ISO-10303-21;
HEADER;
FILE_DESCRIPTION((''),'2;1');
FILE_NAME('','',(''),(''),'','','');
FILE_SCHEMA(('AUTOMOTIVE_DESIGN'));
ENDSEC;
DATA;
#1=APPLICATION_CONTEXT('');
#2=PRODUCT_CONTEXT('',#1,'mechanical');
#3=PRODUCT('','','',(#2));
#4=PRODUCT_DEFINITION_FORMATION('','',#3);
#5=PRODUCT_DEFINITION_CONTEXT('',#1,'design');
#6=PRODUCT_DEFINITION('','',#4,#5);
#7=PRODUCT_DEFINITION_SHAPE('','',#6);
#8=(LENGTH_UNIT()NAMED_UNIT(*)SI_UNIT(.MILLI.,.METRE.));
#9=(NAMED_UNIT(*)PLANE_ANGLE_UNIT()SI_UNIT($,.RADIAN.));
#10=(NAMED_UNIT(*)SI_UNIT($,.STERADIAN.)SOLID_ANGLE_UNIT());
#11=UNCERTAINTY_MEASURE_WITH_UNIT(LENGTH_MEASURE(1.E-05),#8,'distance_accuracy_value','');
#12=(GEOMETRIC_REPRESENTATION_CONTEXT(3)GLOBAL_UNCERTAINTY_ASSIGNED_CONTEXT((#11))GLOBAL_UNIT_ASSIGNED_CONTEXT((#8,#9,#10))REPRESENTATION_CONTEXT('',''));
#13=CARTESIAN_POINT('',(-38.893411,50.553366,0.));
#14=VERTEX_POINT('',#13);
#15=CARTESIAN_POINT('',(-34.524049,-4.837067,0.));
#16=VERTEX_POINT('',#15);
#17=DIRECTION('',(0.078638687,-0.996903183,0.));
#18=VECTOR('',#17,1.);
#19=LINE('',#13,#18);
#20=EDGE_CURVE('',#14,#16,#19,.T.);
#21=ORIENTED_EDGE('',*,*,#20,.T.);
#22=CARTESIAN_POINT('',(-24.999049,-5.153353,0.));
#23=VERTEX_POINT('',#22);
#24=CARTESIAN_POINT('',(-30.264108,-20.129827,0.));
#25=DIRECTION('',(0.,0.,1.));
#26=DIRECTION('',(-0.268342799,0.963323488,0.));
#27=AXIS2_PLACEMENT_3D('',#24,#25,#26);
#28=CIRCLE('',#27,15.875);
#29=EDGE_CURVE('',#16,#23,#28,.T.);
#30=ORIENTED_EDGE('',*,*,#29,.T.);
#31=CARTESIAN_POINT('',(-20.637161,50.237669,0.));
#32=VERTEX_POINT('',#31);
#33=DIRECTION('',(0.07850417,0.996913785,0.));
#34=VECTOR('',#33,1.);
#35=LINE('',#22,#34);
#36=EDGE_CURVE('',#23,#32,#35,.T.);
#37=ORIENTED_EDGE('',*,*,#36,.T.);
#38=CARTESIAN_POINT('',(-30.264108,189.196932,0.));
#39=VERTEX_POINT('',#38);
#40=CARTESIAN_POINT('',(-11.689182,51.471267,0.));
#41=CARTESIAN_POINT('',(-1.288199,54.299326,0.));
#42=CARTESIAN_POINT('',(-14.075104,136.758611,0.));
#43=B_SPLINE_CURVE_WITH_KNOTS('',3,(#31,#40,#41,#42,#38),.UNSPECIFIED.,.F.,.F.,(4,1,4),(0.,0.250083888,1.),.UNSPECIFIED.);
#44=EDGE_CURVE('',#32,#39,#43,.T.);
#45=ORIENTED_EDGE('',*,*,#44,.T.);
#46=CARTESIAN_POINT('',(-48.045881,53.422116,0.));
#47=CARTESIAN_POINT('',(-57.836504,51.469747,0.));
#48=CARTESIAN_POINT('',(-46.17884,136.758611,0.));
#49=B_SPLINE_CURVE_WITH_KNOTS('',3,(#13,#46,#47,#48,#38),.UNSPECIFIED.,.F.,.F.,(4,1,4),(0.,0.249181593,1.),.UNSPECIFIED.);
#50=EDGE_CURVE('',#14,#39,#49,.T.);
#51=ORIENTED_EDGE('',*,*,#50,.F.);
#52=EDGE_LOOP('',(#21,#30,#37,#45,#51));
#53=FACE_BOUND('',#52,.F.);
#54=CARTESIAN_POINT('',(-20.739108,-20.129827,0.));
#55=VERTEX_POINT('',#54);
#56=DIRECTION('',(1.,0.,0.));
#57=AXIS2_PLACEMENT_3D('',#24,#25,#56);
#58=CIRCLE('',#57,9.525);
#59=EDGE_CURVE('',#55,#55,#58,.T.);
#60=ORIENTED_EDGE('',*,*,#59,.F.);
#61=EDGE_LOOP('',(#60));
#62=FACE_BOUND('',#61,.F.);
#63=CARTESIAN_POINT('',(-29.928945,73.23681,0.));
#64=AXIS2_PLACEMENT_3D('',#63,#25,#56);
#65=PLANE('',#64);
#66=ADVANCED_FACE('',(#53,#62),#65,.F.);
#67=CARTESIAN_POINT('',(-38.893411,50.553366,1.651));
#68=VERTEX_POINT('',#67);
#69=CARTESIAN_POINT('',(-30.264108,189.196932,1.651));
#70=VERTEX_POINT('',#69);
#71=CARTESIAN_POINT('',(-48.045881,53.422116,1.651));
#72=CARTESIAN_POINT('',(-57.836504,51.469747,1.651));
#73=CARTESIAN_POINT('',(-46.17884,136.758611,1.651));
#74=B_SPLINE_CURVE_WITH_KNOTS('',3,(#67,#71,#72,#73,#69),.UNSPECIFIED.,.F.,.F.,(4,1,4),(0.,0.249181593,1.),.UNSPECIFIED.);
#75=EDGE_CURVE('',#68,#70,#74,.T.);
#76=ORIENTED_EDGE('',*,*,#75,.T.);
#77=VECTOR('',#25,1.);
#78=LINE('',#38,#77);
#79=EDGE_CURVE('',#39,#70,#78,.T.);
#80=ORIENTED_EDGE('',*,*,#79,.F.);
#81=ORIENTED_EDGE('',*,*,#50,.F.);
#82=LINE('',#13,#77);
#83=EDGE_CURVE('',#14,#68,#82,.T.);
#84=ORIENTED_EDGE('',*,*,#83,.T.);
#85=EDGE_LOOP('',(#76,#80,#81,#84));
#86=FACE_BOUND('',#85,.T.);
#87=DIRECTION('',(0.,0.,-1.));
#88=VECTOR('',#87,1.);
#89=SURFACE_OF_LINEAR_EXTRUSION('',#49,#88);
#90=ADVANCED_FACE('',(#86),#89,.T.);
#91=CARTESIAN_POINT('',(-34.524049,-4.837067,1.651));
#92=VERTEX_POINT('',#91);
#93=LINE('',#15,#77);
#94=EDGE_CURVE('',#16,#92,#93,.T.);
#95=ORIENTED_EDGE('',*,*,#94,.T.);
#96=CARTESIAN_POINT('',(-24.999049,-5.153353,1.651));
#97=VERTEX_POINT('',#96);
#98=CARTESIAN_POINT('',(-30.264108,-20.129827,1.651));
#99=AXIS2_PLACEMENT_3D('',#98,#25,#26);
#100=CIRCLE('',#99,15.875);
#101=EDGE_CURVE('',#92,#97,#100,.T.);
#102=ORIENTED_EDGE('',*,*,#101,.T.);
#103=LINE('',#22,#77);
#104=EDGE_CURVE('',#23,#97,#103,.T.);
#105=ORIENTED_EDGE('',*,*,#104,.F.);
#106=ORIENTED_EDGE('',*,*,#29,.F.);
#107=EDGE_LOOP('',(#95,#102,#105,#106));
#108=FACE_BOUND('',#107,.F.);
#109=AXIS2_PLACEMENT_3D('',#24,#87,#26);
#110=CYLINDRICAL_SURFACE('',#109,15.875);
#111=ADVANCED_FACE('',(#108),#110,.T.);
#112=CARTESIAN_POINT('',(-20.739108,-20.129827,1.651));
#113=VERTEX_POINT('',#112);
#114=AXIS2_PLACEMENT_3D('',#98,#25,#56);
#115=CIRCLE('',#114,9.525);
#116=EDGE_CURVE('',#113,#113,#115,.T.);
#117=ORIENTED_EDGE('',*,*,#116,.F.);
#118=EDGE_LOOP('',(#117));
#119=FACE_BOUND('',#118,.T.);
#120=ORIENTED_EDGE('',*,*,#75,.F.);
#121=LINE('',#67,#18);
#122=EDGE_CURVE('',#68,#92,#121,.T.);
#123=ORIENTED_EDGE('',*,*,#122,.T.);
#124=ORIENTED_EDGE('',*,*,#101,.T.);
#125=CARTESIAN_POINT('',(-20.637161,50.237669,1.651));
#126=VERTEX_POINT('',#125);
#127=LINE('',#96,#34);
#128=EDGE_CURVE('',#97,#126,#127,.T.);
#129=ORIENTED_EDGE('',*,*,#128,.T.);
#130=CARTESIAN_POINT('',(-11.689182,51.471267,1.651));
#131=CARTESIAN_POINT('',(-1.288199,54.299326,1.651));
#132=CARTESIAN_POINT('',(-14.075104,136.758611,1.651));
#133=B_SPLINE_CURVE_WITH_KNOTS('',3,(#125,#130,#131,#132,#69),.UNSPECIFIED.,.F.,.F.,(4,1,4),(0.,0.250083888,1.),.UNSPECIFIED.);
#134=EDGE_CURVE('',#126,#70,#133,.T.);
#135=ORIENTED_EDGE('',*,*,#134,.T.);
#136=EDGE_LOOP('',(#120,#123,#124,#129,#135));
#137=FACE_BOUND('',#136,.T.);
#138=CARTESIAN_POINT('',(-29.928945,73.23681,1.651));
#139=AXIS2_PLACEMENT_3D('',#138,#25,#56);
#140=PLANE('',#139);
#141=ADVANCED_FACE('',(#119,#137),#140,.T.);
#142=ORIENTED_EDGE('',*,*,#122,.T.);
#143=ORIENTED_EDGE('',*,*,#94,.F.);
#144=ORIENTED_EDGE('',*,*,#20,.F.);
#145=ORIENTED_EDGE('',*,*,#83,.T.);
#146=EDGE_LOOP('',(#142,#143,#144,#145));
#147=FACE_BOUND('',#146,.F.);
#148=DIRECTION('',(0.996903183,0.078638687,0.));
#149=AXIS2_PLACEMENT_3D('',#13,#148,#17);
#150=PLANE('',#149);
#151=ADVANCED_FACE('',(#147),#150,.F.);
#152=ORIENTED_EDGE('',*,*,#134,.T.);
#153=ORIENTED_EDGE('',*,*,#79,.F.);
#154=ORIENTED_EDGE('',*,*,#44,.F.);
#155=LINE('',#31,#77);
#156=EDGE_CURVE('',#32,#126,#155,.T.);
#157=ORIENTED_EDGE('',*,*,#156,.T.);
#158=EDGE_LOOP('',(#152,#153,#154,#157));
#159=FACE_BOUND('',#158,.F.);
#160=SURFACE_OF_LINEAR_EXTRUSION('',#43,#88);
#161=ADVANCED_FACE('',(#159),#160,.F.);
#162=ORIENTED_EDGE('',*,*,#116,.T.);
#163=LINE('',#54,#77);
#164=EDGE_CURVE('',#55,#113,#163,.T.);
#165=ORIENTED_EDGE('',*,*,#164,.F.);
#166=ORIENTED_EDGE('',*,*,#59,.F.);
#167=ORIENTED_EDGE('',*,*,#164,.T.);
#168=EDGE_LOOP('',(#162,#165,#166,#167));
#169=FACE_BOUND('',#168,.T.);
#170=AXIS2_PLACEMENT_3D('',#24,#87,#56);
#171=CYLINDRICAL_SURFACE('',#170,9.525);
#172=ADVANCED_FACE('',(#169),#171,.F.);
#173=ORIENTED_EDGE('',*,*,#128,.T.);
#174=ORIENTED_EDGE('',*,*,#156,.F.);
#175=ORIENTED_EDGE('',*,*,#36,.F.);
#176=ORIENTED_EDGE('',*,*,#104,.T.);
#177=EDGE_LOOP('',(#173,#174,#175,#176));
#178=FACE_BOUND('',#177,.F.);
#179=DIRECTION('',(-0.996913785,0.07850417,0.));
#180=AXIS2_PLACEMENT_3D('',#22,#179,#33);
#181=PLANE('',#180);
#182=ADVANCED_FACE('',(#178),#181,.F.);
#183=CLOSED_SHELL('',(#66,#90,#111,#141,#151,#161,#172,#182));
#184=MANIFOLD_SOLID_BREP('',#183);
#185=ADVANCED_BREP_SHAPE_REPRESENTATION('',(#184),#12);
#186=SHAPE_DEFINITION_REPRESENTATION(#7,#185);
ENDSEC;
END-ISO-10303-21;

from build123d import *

# Parameters (mm, degrees)
F1_R     = 9.525
F2_DEPTH = 1.651


with BuildPart() as f2:
    # F1 (on face) → F2 (new body)
    with BuildSketch(Plane.XY):
        with BuildLine():
            Line((-38.8934114652, 50.5533661939), (-34.5240494368, -4.8370669306))
            ThreePointArc((-34.5240494368, -4.8370669306), (-30.7909602464, -35.9960824116), (-24.9990494368, -5.1533528012))
            Line((-24.9990494368, -5.1533528012), (-20.6371614652, 50.2376693917))
            add(Edge.make_bspline(
                [(-20.6371614652, 50.2376693917), (-11.6891823709, 51.4712668955), (-1.2881990739, 54.299325546), (-14.0751041472, 136.7586106062), (-30.2641075104, 189.1969317272)],
                knots=[0, 0, 0, 0, 0.2500838881, 1, 1, 1, 1], degree=3))
            add(Edge.make_bspline(
                [(-38.8934114652, 50.5533661939), (-48.0458810925, 53.4221157432), (-57.8365038002, 51.4697467257), (-46.1788401008, 136.7586106062), (-30.2641075104, 189.1969317272)],
                knots=[0, 0, 0, 0, 0.2491815929, 1, 1, 1, 1], degree=3))
        make_face()
        with Locations((-30.2641075104, -20.1298273022)):
            Circle(F1_R, mode=Mode.SUBTRACT)
    extrude(amount=F2_DEPTH)


solid = f2.part
